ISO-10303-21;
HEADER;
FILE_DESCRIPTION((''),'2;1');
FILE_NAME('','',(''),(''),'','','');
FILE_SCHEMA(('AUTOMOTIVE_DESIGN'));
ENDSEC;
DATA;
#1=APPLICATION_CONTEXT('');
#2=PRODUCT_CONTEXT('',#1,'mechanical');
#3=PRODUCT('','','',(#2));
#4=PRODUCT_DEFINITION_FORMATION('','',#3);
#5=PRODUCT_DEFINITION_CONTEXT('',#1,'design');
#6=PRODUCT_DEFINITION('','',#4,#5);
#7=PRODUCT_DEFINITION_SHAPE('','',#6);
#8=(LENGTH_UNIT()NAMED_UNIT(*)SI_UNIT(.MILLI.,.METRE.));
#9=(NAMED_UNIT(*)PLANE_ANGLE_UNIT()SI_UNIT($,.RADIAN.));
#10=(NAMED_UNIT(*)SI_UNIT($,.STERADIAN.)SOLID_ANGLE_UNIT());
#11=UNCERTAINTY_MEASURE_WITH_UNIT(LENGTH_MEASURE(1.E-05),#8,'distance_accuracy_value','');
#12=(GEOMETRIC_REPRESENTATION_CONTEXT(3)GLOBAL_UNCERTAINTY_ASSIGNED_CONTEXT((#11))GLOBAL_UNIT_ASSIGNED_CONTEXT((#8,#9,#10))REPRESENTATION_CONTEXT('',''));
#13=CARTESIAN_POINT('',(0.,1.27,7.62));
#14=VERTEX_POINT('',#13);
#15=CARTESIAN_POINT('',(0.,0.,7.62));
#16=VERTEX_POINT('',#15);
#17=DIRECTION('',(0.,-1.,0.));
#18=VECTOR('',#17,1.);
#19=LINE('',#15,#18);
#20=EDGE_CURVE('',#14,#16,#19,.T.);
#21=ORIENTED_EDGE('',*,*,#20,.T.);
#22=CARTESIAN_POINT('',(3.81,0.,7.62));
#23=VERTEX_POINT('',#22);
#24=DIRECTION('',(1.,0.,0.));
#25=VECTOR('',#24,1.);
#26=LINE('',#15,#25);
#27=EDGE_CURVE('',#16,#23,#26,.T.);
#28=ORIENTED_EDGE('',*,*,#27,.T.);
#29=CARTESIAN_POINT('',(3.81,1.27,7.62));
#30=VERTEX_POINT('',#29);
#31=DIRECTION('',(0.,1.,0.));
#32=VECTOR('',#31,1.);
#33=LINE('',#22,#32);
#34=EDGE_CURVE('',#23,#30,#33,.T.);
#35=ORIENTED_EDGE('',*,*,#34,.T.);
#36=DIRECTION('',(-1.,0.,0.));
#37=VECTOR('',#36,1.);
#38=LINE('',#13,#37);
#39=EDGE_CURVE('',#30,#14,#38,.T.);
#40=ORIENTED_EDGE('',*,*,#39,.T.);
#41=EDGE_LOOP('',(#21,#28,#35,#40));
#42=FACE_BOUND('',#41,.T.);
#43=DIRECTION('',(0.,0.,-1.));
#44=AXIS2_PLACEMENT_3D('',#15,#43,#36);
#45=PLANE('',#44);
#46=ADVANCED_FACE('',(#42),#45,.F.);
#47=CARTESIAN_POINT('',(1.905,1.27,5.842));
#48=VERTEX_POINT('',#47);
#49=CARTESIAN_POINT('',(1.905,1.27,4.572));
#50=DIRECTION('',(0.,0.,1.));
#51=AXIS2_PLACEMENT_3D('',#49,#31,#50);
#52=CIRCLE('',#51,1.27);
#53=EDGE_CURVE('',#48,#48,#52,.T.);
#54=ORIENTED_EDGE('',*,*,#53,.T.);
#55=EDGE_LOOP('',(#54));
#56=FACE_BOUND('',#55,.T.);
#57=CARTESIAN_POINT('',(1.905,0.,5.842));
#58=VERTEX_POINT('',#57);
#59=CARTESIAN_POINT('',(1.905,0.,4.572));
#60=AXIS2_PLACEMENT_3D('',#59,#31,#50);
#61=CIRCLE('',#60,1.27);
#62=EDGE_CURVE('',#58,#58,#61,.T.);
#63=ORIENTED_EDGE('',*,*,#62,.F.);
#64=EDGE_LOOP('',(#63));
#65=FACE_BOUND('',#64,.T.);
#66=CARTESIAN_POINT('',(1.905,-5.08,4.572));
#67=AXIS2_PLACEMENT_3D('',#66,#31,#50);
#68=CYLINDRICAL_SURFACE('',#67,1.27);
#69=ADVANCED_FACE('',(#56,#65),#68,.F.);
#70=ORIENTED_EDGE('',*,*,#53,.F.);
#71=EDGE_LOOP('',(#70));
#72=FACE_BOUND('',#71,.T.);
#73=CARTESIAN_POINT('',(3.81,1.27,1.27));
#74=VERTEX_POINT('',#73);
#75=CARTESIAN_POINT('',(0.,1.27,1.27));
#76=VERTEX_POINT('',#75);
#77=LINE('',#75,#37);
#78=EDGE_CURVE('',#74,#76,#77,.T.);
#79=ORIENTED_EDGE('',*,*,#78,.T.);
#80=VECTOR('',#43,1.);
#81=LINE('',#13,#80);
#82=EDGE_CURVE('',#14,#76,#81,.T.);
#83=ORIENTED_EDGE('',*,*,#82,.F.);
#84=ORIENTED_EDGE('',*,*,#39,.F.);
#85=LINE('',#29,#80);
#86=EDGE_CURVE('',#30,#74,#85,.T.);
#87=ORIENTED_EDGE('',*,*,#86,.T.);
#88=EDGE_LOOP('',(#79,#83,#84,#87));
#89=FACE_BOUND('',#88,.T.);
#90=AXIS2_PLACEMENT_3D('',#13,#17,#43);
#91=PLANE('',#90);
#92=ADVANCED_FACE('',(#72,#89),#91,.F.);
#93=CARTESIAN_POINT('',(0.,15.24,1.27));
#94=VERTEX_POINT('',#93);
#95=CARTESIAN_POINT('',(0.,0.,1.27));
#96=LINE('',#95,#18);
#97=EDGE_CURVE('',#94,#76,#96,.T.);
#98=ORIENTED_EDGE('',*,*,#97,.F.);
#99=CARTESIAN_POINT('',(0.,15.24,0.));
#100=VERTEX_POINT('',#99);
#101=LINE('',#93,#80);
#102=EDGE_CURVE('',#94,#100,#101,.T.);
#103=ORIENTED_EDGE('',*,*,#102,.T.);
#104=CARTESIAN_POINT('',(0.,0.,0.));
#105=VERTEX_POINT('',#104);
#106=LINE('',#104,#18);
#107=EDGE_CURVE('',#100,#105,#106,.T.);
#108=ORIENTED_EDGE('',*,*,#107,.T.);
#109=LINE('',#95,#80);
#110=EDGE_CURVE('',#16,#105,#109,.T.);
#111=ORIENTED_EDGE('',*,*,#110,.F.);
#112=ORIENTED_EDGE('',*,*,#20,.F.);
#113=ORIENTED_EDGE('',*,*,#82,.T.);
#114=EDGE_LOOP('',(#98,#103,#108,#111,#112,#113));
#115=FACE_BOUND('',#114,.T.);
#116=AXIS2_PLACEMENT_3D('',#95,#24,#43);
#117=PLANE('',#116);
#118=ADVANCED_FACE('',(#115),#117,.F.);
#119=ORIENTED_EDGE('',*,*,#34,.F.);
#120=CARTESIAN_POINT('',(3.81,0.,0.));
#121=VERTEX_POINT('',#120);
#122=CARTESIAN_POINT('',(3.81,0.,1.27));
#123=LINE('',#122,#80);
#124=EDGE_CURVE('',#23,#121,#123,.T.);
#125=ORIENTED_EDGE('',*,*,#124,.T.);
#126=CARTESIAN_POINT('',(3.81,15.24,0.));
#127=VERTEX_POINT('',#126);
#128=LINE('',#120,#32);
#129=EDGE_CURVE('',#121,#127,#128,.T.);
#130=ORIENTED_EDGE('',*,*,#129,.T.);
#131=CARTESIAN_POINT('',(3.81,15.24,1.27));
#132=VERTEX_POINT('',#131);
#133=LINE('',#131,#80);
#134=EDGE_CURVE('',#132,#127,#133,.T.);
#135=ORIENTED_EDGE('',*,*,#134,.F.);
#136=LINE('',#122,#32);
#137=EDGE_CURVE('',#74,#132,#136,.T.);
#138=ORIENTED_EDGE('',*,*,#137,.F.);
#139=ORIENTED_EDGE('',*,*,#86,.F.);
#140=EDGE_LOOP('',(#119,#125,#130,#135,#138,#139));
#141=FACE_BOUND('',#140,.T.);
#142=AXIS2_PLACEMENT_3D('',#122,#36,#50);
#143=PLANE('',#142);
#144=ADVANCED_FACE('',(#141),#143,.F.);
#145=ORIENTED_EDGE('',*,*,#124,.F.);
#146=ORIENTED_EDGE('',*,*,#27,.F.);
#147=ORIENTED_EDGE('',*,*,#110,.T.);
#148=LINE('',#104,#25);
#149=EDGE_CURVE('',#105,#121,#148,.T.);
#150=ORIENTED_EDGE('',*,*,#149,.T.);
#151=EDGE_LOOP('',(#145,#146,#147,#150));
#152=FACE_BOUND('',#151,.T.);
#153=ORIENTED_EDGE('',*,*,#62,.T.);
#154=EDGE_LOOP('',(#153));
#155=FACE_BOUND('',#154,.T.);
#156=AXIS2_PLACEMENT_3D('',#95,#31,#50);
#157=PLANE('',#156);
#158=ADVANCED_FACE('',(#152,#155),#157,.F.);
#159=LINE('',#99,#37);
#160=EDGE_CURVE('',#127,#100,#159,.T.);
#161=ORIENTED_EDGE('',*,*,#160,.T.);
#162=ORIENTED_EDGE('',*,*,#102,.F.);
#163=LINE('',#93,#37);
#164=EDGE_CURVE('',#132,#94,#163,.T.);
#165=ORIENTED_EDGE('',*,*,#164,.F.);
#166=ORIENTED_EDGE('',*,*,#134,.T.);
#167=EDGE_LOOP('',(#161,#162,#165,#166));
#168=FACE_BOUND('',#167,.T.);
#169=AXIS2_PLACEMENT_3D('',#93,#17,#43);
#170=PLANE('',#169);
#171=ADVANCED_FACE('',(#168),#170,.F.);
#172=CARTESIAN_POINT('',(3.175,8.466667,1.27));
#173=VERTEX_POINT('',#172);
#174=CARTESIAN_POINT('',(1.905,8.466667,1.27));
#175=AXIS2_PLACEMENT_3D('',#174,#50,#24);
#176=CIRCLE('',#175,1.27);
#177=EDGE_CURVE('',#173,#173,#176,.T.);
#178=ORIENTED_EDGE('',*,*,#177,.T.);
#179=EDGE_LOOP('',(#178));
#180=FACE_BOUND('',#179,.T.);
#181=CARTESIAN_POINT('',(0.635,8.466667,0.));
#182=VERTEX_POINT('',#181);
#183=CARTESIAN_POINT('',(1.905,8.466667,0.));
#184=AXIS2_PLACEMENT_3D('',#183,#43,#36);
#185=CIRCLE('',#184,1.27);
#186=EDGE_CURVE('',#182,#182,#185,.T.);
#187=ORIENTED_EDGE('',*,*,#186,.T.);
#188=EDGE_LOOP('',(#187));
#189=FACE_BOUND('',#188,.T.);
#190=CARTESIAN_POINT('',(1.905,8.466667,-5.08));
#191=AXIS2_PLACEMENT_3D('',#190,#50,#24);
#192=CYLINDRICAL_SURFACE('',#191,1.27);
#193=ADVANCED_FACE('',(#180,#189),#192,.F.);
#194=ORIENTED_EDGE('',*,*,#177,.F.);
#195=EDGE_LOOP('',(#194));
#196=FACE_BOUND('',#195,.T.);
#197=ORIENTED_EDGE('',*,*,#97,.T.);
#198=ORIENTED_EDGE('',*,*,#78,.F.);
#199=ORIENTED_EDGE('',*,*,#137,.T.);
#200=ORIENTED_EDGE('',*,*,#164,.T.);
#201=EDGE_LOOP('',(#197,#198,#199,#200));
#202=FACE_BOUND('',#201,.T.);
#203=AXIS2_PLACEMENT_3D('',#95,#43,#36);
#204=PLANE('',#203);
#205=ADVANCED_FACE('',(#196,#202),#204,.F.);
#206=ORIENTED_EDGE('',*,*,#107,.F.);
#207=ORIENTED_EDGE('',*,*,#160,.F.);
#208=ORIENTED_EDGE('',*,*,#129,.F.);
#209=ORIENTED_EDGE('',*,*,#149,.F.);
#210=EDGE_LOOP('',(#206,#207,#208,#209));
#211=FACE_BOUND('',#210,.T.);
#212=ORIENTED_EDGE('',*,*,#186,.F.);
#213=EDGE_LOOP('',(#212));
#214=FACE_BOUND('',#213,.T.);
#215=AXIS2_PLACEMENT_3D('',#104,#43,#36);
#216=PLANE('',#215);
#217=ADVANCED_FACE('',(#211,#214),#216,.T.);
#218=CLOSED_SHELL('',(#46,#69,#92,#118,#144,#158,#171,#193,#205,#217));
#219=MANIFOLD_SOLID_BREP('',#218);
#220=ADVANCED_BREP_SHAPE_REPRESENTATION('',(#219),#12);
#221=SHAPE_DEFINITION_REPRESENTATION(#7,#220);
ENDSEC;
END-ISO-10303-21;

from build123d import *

# Parameters (mm, degrees)
SKETCH1_W           = 3.81
SKETCH1_H           = 15.24
BOSS_EXTRUDE1_DEPTH = 1.27
SKETCH2_W           = 3.81
SKETCH2_H           = 1.27
BOSS_EXTRUDE2_DEPTH = 6.35
SKETCH6_R           = 1.27
CUT_EXTRUDE1_DEPTH  = 6.35
SKETCH4_R           = 1.27
CUT_EXTRUDE2_DEPTH  = 6.35


with BuildPart() as part:
    # Sketch1 → Boss-Extrude1 (new body)
    with BuildSketch(Plane.XY):
        with Locations((1.905, 7.62)):
            Rectangle(SKETCH1_W, SKETCH1_H)
    extrude(amount=BOSS_EXTRUDE1_DEPTH)

    # Sketch2 → Boss-Extrude2 (add)
    with BuildSketch(Plane.XY.offset(1.27)):
        with Locations((1.905, 0.635)):
            Rectangle(SKETCH2_W, SKETCH2_H)
    extrude(amount=BOSS_EXTRUDE2_DEPTH)

    # Sketch6 → Cut-Extrude1 (cut)
    with BuildSketch(Plane(origin=(0, 1.27, 0), x_dir=(1, 0, 0), z_dir=(0, 1, 0))):
        with Locations(Location((1.905, -4.572, 0), (0, 0, 270))):
            Circle(SKETCH6_R)
    extrude(amount=-CUT_EXTRUDE1_DEPTH, mode=Mode.SUBTRACT)

    # Sketch4 → Cut-Extrude2 (cut)
    with BuildSketch(Plane.XY.offset(1.27)):
        with Locations((1.905, 8.466666667)):
            Circle(SKETCH4_R)
    extrude(amount=-CUT_EXTRUDE2_DEPTH, mode=Mode.SUBTRACT)


solid = part.part
